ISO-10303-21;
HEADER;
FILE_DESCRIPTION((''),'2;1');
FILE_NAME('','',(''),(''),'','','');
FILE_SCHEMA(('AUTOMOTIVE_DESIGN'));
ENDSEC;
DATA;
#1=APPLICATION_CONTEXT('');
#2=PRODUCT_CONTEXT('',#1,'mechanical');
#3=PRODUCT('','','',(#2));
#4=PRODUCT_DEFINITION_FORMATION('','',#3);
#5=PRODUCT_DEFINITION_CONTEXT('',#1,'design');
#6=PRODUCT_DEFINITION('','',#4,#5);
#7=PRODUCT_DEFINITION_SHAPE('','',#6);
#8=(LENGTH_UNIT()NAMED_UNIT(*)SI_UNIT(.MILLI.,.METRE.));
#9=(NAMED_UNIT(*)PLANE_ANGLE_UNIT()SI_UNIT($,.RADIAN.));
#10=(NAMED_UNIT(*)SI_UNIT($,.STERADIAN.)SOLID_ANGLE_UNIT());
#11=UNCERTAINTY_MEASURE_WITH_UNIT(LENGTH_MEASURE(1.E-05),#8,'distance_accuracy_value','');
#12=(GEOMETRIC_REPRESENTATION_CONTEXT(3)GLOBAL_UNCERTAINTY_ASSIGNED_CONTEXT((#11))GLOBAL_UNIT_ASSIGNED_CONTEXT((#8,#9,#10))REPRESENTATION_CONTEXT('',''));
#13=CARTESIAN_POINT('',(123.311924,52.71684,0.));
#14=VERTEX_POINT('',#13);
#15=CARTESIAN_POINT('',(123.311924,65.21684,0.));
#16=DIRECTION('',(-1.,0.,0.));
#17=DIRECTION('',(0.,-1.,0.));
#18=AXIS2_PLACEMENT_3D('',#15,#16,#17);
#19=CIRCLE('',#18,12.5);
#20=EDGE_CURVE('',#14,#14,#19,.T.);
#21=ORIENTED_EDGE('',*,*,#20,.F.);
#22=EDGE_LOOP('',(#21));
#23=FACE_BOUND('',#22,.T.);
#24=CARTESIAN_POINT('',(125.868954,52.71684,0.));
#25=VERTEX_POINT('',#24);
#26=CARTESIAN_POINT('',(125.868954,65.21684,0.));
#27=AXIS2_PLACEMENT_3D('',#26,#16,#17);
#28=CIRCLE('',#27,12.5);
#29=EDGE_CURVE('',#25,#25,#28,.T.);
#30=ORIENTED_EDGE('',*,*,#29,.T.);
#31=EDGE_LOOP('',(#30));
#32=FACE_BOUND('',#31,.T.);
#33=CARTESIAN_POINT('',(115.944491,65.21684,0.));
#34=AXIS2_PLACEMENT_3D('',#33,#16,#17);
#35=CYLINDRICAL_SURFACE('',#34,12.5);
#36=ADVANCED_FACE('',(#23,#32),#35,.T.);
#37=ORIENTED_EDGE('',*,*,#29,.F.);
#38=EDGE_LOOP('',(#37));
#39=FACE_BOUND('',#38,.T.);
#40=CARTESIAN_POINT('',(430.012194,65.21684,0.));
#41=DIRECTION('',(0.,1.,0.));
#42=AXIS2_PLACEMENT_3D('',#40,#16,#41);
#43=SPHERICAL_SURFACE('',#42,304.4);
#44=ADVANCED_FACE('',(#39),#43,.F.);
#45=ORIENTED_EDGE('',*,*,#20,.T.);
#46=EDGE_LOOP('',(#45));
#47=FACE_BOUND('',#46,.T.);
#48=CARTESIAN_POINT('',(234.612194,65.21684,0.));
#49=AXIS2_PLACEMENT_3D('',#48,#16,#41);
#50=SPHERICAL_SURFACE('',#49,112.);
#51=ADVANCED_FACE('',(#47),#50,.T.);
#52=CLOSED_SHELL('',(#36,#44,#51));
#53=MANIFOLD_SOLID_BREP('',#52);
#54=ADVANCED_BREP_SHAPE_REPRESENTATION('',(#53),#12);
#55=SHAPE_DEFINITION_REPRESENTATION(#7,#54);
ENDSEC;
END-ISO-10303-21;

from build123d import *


with BuildPart() as part:
    # 草图1 → 旋转1 (revolve)
    with BuildSketch(Plane.XY):
        with BuildLine():
            Line((123.311924157, 77.716840471), (125.868954418, 77.716840471))
            ThreePointArc((125.868954418, 77.716840471), (125.676390648, 71.468158853), (125.612193698, 65.216840471))
            Line((125.612193698, 65.216840471), (122.612193698, 65.216840471))
            ThreePointArc((122.612193698, 65.216840471), (122.78726314, 71.476625266), (123.311924157, 77.716840471))
        make_face()
    revolve(axis=Axis((115.944491298, 65.216840471, 0), (1, 0, 0)))


solid = part.part
